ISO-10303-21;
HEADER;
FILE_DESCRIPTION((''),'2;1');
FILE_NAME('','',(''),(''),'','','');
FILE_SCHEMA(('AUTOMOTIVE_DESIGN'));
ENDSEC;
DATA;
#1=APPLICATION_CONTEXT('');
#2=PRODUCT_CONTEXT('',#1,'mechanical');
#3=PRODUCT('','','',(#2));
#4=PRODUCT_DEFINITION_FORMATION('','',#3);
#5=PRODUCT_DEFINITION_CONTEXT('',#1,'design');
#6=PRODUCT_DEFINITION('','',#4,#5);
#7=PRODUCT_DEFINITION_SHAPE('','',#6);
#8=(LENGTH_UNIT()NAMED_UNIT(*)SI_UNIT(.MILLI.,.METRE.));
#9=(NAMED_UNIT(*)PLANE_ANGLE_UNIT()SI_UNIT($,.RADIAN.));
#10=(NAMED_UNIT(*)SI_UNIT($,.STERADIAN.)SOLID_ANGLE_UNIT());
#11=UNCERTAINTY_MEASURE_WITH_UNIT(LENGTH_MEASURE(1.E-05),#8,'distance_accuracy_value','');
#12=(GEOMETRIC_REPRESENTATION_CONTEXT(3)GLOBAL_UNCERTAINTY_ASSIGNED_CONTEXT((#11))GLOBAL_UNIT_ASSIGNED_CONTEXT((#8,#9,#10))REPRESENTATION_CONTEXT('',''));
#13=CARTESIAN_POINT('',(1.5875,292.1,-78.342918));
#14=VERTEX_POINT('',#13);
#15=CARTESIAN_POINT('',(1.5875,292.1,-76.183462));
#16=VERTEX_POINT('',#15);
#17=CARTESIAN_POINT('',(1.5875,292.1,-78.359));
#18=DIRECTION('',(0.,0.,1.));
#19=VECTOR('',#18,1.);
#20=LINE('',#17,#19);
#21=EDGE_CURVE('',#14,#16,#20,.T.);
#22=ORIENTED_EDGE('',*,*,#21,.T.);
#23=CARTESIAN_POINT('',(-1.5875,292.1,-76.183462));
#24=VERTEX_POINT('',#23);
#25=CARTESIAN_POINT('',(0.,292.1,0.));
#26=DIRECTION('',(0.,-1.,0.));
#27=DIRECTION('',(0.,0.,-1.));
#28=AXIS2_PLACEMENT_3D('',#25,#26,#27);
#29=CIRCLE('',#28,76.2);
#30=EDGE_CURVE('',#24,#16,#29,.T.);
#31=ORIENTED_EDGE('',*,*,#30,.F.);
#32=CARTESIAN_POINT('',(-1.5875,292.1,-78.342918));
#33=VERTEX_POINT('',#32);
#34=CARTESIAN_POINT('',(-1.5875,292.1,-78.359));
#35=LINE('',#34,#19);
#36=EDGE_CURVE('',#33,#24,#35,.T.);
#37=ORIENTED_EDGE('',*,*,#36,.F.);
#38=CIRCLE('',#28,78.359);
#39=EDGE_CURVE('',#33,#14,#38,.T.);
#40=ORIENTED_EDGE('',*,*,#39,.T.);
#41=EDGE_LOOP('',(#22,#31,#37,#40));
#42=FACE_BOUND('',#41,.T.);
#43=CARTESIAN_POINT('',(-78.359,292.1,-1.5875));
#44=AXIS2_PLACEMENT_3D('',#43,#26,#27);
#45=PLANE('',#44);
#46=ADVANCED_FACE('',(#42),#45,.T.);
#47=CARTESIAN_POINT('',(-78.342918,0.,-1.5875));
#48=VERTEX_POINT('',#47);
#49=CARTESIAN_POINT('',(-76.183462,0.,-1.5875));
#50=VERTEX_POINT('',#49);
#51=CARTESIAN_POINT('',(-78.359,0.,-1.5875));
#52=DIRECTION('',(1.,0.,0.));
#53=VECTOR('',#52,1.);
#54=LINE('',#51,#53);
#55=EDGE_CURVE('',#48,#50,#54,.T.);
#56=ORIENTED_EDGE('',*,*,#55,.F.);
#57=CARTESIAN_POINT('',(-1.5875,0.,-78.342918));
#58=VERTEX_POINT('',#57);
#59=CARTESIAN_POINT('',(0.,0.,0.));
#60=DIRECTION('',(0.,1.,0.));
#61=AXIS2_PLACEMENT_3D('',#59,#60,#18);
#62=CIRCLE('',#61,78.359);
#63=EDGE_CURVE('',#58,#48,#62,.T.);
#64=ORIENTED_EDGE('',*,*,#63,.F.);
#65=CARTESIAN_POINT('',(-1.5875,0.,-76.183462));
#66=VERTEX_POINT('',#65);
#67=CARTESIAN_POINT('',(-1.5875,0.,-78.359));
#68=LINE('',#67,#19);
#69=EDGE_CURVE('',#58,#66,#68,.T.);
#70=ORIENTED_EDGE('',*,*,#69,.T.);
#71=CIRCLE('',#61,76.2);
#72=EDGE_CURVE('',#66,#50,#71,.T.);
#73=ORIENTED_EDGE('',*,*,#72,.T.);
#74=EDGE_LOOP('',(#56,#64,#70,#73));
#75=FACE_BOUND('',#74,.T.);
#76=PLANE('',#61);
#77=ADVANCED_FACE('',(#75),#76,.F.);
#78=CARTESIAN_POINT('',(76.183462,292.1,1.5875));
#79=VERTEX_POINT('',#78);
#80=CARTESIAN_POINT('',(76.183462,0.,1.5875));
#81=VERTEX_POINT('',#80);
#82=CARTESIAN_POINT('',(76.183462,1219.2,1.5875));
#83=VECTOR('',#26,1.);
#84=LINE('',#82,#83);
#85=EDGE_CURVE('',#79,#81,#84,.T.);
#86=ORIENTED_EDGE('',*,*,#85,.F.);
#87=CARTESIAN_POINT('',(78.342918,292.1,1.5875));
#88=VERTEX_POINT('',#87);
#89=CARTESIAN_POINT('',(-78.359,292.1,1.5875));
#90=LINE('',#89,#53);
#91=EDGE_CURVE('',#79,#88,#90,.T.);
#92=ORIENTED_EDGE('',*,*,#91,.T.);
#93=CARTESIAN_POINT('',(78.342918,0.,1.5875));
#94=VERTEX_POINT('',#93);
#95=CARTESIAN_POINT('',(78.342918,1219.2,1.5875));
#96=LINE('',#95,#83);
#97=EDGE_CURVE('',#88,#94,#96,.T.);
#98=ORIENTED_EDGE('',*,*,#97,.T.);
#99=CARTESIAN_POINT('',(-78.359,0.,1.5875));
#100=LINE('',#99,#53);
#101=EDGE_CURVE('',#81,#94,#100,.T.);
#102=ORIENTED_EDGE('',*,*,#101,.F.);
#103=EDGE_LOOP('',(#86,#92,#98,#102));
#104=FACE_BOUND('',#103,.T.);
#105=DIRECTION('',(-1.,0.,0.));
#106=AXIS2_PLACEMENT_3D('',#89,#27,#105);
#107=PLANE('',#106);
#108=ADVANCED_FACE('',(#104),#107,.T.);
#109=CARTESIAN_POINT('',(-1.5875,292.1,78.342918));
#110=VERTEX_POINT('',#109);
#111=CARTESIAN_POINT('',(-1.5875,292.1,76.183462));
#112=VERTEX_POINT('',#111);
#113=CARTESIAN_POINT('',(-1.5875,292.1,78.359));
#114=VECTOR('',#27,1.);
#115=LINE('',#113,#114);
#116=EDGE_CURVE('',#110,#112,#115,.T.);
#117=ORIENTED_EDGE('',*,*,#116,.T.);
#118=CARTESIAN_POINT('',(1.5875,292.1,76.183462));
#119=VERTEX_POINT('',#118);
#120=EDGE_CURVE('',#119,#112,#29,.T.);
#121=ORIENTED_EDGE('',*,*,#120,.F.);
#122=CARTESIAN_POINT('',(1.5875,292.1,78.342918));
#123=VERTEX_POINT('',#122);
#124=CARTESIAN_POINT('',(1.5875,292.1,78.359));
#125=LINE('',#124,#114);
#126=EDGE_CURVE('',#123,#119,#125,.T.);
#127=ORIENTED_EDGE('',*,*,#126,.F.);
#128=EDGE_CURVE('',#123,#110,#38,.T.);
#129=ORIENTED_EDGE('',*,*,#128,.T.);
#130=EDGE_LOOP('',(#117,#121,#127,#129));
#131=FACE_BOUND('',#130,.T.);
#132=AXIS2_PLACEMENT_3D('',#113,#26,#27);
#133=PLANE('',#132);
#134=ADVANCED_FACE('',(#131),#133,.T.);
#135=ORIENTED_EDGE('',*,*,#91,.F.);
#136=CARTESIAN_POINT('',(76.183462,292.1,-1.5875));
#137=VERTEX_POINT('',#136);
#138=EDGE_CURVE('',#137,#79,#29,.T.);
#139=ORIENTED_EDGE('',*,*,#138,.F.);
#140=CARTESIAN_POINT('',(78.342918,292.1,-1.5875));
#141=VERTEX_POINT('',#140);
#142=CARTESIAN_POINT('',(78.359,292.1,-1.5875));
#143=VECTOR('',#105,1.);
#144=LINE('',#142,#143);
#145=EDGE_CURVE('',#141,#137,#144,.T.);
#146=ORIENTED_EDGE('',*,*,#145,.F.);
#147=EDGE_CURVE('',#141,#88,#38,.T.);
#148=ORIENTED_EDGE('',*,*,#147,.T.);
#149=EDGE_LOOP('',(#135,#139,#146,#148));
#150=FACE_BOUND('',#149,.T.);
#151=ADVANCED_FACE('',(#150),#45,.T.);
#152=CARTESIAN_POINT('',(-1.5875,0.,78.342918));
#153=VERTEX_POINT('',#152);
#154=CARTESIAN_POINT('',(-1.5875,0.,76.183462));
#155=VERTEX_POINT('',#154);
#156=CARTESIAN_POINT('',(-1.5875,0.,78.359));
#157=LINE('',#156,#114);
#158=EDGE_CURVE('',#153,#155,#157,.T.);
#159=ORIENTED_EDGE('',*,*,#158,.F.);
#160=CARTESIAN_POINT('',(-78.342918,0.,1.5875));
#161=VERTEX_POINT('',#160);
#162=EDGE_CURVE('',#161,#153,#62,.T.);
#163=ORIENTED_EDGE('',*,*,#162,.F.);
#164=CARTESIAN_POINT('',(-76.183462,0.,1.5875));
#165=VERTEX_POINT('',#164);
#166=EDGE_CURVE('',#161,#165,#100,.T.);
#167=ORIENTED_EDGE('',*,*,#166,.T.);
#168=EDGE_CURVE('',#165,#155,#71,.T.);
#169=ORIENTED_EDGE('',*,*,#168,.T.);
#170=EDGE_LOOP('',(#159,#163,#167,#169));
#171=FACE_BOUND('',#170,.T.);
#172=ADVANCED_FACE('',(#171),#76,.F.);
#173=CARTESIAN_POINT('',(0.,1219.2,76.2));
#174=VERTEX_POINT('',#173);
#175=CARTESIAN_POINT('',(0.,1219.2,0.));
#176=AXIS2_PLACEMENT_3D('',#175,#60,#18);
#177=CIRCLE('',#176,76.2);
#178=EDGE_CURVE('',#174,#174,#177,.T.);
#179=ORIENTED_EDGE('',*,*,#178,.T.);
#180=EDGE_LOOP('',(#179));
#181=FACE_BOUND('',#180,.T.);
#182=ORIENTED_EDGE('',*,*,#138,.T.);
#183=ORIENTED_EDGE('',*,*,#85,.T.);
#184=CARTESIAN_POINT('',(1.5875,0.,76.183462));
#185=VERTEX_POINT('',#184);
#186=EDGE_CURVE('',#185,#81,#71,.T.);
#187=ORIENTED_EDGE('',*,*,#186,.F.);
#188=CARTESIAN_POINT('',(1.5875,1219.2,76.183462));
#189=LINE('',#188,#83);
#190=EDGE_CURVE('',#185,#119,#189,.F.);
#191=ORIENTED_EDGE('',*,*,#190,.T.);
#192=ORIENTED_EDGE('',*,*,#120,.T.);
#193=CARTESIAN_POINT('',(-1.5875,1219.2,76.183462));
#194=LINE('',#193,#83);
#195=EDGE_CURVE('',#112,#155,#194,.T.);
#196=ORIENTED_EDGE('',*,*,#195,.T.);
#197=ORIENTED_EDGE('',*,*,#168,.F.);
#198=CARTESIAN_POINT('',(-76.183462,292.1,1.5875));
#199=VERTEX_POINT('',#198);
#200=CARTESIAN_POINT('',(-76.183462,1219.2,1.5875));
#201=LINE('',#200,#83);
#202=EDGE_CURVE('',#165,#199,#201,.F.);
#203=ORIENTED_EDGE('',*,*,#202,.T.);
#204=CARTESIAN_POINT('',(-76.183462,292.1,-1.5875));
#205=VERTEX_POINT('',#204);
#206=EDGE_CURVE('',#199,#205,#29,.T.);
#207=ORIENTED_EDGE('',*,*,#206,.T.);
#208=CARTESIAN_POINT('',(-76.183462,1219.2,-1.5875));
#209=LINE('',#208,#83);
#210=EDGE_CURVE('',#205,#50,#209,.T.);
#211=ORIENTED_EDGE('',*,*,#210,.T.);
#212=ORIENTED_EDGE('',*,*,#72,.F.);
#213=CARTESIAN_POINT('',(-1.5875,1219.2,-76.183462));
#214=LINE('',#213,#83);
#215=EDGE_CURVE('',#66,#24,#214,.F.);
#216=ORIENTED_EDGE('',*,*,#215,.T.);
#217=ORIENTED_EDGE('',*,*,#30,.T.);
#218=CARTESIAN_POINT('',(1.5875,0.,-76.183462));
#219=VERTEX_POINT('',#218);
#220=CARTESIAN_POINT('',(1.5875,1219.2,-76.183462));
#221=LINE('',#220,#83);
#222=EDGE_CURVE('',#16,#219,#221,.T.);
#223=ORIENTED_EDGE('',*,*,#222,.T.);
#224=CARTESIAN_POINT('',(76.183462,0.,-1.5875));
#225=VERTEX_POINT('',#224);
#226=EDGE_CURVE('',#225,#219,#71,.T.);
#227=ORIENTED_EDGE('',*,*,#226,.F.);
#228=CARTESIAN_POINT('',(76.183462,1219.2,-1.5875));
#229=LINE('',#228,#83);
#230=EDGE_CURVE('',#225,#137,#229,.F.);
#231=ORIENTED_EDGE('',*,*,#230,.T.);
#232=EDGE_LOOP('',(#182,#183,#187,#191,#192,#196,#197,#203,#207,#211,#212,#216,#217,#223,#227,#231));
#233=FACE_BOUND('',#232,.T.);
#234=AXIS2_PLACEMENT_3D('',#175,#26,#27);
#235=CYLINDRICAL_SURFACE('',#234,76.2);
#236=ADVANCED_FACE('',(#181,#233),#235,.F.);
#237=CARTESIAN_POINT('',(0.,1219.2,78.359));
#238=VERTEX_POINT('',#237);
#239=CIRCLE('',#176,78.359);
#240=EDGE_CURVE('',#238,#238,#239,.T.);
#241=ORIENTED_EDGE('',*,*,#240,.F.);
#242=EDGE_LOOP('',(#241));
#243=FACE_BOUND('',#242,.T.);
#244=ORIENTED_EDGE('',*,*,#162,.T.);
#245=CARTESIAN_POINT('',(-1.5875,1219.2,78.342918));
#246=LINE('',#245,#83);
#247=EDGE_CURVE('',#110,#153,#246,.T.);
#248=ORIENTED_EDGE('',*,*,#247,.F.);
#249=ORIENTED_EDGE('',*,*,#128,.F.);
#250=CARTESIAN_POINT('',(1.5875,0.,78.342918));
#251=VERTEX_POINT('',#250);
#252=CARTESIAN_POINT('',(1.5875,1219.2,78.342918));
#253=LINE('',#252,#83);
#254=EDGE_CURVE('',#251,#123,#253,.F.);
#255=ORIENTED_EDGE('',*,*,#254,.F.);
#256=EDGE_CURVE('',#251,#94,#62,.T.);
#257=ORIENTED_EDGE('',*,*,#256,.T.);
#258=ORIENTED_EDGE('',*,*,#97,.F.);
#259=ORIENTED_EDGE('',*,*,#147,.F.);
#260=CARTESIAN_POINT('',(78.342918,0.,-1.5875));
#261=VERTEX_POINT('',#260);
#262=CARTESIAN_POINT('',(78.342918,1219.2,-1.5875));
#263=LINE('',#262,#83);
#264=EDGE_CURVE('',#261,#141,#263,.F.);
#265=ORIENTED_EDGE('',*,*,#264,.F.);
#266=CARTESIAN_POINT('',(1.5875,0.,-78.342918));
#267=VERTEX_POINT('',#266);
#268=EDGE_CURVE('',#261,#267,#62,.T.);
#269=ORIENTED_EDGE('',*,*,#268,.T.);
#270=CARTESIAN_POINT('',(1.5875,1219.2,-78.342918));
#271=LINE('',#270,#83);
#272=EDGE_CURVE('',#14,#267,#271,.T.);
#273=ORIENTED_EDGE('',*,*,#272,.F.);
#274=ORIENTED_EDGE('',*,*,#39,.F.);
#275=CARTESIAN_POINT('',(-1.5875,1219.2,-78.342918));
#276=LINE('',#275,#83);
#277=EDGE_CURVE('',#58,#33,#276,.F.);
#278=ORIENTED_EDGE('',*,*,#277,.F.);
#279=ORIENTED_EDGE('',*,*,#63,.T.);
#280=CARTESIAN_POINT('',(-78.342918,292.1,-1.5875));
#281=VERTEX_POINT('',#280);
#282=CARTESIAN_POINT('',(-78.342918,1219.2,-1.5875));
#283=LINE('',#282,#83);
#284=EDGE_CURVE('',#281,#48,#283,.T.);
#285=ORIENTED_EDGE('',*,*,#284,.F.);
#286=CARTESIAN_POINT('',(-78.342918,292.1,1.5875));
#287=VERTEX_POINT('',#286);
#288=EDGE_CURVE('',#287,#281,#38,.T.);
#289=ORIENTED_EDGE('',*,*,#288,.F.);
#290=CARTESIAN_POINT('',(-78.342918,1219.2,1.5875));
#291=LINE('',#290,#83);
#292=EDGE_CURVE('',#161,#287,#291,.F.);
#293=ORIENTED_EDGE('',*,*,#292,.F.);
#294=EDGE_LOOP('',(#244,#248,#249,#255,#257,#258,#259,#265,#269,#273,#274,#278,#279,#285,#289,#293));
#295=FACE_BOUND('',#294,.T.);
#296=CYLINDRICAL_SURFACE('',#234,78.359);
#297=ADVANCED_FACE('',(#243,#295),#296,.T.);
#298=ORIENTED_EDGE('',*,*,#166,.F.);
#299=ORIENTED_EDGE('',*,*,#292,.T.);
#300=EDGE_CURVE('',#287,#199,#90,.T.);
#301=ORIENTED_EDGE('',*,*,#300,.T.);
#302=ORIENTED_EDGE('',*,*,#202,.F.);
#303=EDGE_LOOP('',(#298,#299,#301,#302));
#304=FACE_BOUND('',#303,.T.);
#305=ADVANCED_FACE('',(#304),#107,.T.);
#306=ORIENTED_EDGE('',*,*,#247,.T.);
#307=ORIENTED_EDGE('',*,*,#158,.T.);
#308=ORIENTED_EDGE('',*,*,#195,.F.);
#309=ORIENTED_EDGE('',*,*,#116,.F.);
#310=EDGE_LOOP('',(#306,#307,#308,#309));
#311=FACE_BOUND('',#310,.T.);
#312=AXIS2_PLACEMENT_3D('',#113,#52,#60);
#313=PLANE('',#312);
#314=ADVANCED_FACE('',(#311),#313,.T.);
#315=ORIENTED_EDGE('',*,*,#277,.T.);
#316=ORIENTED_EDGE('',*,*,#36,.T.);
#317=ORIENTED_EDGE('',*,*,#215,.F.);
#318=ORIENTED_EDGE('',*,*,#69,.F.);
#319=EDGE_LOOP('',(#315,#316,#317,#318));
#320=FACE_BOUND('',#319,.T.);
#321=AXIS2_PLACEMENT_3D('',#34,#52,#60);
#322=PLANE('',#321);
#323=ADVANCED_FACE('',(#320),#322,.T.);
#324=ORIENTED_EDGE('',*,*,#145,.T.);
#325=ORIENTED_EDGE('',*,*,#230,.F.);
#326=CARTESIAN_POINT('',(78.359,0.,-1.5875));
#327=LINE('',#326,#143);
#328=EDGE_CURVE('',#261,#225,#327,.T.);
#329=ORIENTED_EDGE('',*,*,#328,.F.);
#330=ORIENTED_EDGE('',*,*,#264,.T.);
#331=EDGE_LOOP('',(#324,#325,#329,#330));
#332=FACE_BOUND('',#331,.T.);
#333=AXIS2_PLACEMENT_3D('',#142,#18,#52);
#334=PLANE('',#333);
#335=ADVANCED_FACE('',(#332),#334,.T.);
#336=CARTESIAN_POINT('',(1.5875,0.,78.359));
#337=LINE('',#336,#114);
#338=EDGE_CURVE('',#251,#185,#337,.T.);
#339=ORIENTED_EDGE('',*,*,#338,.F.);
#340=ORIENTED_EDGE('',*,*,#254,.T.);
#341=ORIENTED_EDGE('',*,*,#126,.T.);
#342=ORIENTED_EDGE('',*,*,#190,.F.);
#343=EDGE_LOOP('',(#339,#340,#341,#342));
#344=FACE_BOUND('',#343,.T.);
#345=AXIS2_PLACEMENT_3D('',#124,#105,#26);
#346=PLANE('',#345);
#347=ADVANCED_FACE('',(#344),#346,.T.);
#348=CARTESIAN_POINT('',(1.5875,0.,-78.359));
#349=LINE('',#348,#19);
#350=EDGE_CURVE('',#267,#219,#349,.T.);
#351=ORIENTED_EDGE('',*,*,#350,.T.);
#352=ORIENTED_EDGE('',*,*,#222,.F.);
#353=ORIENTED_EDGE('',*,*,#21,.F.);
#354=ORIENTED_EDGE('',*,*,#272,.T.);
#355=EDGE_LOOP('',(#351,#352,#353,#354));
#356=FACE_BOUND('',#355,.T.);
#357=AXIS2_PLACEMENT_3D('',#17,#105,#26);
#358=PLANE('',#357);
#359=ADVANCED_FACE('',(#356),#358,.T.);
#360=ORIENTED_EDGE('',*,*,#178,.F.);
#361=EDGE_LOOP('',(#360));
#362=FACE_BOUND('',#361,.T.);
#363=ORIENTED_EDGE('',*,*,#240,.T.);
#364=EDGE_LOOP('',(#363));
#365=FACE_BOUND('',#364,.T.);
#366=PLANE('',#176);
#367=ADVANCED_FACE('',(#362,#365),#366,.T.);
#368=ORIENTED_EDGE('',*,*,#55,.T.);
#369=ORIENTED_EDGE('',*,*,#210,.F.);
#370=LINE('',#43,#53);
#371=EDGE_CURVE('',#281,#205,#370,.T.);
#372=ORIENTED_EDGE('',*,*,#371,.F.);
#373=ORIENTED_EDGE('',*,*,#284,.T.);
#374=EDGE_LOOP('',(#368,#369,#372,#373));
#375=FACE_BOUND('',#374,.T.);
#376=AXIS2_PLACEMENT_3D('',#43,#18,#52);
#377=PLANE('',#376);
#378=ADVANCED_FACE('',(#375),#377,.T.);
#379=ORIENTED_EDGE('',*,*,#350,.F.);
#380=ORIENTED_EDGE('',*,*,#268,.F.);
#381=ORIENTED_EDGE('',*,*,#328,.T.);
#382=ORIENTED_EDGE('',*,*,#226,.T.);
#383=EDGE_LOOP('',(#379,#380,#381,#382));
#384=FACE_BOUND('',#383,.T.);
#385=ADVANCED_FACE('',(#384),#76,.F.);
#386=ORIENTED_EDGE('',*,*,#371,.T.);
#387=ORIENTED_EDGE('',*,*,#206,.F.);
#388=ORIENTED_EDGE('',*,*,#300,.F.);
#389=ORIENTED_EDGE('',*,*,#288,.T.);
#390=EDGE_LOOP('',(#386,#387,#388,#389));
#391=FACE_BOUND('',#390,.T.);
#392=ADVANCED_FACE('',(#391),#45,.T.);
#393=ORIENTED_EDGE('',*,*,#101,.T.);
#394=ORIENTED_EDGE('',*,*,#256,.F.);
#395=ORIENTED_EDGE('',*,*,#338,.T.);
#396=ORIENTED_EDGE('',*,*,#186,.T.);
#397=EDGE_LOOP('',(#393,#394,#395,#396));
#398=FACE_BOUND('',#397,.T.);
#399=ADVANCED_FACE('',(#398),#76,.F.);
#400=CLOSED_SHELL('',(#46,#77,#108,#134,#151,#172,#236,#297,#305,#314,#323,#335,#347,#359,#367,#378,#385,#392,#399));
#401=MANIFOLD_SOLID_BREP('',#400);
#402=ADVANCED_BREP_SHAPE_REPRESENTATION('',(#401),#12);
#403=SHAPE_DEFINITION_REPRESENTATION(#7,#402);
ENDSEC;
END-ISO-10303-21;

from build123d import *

# Parameters (mm, degrees)
SKETCH1_R           = 78.359
SKETCH1_R_2         = 76.2
BOSS_EXTRUDE1_DEPTH = 1219.2
SKETCH2_W           = 3.175
SKETCH2_H           = 292.1
CUT_EXTRUDE2_DEPTH  = 1225.225839362
CIRPATTERN1_COUNT   = 4


with BuildPart() as part:
    # Sketch1 → Boss-Extrude1 (new body)
    with BuildSketch(Plane(origin=(0, 0, 0), x_dir=(1, 0, 0), z_dir=(0, 1, 0))):
        with Locations(Location((0, 0, 0), (0, 0, 90))):
            Circle(SKETCH1_R)
        with Locations(Location((0, 0, 0), (0, 0, 90))):
            Circle(SKETCH1_R_2, mode=Mode.SUBTRACT)
    extrude(amount=BOSS_EXTRUDE1_DEPTH)

    # Sketch2 → Cut-Extrude2 (cut, through all)
    with BuildSketch(Plane.XY):
        with Locations((0, 146.05)):
            Rectangle(SKETCH2_W, SKETCH2_H)
    cut_extrude2 = extrude(amount=CUT_EXTRUDE2_DEPTH, mode=Mode.SUBTRACT)

    # CirPattern1: Cut-Extrude2 ×4 about axis
    cirpattern1_axis = Axis((0, 0, 0), (0, 1, 0))
    for i in range(1, CIRPATTERN1_COUNT):
        add(cut_extrude2.rotate(cirpattern1_axis, i * 360 / CIRPATTERN1_COUNT), mode=Mode.SUBTRACT)


solid = part.part
